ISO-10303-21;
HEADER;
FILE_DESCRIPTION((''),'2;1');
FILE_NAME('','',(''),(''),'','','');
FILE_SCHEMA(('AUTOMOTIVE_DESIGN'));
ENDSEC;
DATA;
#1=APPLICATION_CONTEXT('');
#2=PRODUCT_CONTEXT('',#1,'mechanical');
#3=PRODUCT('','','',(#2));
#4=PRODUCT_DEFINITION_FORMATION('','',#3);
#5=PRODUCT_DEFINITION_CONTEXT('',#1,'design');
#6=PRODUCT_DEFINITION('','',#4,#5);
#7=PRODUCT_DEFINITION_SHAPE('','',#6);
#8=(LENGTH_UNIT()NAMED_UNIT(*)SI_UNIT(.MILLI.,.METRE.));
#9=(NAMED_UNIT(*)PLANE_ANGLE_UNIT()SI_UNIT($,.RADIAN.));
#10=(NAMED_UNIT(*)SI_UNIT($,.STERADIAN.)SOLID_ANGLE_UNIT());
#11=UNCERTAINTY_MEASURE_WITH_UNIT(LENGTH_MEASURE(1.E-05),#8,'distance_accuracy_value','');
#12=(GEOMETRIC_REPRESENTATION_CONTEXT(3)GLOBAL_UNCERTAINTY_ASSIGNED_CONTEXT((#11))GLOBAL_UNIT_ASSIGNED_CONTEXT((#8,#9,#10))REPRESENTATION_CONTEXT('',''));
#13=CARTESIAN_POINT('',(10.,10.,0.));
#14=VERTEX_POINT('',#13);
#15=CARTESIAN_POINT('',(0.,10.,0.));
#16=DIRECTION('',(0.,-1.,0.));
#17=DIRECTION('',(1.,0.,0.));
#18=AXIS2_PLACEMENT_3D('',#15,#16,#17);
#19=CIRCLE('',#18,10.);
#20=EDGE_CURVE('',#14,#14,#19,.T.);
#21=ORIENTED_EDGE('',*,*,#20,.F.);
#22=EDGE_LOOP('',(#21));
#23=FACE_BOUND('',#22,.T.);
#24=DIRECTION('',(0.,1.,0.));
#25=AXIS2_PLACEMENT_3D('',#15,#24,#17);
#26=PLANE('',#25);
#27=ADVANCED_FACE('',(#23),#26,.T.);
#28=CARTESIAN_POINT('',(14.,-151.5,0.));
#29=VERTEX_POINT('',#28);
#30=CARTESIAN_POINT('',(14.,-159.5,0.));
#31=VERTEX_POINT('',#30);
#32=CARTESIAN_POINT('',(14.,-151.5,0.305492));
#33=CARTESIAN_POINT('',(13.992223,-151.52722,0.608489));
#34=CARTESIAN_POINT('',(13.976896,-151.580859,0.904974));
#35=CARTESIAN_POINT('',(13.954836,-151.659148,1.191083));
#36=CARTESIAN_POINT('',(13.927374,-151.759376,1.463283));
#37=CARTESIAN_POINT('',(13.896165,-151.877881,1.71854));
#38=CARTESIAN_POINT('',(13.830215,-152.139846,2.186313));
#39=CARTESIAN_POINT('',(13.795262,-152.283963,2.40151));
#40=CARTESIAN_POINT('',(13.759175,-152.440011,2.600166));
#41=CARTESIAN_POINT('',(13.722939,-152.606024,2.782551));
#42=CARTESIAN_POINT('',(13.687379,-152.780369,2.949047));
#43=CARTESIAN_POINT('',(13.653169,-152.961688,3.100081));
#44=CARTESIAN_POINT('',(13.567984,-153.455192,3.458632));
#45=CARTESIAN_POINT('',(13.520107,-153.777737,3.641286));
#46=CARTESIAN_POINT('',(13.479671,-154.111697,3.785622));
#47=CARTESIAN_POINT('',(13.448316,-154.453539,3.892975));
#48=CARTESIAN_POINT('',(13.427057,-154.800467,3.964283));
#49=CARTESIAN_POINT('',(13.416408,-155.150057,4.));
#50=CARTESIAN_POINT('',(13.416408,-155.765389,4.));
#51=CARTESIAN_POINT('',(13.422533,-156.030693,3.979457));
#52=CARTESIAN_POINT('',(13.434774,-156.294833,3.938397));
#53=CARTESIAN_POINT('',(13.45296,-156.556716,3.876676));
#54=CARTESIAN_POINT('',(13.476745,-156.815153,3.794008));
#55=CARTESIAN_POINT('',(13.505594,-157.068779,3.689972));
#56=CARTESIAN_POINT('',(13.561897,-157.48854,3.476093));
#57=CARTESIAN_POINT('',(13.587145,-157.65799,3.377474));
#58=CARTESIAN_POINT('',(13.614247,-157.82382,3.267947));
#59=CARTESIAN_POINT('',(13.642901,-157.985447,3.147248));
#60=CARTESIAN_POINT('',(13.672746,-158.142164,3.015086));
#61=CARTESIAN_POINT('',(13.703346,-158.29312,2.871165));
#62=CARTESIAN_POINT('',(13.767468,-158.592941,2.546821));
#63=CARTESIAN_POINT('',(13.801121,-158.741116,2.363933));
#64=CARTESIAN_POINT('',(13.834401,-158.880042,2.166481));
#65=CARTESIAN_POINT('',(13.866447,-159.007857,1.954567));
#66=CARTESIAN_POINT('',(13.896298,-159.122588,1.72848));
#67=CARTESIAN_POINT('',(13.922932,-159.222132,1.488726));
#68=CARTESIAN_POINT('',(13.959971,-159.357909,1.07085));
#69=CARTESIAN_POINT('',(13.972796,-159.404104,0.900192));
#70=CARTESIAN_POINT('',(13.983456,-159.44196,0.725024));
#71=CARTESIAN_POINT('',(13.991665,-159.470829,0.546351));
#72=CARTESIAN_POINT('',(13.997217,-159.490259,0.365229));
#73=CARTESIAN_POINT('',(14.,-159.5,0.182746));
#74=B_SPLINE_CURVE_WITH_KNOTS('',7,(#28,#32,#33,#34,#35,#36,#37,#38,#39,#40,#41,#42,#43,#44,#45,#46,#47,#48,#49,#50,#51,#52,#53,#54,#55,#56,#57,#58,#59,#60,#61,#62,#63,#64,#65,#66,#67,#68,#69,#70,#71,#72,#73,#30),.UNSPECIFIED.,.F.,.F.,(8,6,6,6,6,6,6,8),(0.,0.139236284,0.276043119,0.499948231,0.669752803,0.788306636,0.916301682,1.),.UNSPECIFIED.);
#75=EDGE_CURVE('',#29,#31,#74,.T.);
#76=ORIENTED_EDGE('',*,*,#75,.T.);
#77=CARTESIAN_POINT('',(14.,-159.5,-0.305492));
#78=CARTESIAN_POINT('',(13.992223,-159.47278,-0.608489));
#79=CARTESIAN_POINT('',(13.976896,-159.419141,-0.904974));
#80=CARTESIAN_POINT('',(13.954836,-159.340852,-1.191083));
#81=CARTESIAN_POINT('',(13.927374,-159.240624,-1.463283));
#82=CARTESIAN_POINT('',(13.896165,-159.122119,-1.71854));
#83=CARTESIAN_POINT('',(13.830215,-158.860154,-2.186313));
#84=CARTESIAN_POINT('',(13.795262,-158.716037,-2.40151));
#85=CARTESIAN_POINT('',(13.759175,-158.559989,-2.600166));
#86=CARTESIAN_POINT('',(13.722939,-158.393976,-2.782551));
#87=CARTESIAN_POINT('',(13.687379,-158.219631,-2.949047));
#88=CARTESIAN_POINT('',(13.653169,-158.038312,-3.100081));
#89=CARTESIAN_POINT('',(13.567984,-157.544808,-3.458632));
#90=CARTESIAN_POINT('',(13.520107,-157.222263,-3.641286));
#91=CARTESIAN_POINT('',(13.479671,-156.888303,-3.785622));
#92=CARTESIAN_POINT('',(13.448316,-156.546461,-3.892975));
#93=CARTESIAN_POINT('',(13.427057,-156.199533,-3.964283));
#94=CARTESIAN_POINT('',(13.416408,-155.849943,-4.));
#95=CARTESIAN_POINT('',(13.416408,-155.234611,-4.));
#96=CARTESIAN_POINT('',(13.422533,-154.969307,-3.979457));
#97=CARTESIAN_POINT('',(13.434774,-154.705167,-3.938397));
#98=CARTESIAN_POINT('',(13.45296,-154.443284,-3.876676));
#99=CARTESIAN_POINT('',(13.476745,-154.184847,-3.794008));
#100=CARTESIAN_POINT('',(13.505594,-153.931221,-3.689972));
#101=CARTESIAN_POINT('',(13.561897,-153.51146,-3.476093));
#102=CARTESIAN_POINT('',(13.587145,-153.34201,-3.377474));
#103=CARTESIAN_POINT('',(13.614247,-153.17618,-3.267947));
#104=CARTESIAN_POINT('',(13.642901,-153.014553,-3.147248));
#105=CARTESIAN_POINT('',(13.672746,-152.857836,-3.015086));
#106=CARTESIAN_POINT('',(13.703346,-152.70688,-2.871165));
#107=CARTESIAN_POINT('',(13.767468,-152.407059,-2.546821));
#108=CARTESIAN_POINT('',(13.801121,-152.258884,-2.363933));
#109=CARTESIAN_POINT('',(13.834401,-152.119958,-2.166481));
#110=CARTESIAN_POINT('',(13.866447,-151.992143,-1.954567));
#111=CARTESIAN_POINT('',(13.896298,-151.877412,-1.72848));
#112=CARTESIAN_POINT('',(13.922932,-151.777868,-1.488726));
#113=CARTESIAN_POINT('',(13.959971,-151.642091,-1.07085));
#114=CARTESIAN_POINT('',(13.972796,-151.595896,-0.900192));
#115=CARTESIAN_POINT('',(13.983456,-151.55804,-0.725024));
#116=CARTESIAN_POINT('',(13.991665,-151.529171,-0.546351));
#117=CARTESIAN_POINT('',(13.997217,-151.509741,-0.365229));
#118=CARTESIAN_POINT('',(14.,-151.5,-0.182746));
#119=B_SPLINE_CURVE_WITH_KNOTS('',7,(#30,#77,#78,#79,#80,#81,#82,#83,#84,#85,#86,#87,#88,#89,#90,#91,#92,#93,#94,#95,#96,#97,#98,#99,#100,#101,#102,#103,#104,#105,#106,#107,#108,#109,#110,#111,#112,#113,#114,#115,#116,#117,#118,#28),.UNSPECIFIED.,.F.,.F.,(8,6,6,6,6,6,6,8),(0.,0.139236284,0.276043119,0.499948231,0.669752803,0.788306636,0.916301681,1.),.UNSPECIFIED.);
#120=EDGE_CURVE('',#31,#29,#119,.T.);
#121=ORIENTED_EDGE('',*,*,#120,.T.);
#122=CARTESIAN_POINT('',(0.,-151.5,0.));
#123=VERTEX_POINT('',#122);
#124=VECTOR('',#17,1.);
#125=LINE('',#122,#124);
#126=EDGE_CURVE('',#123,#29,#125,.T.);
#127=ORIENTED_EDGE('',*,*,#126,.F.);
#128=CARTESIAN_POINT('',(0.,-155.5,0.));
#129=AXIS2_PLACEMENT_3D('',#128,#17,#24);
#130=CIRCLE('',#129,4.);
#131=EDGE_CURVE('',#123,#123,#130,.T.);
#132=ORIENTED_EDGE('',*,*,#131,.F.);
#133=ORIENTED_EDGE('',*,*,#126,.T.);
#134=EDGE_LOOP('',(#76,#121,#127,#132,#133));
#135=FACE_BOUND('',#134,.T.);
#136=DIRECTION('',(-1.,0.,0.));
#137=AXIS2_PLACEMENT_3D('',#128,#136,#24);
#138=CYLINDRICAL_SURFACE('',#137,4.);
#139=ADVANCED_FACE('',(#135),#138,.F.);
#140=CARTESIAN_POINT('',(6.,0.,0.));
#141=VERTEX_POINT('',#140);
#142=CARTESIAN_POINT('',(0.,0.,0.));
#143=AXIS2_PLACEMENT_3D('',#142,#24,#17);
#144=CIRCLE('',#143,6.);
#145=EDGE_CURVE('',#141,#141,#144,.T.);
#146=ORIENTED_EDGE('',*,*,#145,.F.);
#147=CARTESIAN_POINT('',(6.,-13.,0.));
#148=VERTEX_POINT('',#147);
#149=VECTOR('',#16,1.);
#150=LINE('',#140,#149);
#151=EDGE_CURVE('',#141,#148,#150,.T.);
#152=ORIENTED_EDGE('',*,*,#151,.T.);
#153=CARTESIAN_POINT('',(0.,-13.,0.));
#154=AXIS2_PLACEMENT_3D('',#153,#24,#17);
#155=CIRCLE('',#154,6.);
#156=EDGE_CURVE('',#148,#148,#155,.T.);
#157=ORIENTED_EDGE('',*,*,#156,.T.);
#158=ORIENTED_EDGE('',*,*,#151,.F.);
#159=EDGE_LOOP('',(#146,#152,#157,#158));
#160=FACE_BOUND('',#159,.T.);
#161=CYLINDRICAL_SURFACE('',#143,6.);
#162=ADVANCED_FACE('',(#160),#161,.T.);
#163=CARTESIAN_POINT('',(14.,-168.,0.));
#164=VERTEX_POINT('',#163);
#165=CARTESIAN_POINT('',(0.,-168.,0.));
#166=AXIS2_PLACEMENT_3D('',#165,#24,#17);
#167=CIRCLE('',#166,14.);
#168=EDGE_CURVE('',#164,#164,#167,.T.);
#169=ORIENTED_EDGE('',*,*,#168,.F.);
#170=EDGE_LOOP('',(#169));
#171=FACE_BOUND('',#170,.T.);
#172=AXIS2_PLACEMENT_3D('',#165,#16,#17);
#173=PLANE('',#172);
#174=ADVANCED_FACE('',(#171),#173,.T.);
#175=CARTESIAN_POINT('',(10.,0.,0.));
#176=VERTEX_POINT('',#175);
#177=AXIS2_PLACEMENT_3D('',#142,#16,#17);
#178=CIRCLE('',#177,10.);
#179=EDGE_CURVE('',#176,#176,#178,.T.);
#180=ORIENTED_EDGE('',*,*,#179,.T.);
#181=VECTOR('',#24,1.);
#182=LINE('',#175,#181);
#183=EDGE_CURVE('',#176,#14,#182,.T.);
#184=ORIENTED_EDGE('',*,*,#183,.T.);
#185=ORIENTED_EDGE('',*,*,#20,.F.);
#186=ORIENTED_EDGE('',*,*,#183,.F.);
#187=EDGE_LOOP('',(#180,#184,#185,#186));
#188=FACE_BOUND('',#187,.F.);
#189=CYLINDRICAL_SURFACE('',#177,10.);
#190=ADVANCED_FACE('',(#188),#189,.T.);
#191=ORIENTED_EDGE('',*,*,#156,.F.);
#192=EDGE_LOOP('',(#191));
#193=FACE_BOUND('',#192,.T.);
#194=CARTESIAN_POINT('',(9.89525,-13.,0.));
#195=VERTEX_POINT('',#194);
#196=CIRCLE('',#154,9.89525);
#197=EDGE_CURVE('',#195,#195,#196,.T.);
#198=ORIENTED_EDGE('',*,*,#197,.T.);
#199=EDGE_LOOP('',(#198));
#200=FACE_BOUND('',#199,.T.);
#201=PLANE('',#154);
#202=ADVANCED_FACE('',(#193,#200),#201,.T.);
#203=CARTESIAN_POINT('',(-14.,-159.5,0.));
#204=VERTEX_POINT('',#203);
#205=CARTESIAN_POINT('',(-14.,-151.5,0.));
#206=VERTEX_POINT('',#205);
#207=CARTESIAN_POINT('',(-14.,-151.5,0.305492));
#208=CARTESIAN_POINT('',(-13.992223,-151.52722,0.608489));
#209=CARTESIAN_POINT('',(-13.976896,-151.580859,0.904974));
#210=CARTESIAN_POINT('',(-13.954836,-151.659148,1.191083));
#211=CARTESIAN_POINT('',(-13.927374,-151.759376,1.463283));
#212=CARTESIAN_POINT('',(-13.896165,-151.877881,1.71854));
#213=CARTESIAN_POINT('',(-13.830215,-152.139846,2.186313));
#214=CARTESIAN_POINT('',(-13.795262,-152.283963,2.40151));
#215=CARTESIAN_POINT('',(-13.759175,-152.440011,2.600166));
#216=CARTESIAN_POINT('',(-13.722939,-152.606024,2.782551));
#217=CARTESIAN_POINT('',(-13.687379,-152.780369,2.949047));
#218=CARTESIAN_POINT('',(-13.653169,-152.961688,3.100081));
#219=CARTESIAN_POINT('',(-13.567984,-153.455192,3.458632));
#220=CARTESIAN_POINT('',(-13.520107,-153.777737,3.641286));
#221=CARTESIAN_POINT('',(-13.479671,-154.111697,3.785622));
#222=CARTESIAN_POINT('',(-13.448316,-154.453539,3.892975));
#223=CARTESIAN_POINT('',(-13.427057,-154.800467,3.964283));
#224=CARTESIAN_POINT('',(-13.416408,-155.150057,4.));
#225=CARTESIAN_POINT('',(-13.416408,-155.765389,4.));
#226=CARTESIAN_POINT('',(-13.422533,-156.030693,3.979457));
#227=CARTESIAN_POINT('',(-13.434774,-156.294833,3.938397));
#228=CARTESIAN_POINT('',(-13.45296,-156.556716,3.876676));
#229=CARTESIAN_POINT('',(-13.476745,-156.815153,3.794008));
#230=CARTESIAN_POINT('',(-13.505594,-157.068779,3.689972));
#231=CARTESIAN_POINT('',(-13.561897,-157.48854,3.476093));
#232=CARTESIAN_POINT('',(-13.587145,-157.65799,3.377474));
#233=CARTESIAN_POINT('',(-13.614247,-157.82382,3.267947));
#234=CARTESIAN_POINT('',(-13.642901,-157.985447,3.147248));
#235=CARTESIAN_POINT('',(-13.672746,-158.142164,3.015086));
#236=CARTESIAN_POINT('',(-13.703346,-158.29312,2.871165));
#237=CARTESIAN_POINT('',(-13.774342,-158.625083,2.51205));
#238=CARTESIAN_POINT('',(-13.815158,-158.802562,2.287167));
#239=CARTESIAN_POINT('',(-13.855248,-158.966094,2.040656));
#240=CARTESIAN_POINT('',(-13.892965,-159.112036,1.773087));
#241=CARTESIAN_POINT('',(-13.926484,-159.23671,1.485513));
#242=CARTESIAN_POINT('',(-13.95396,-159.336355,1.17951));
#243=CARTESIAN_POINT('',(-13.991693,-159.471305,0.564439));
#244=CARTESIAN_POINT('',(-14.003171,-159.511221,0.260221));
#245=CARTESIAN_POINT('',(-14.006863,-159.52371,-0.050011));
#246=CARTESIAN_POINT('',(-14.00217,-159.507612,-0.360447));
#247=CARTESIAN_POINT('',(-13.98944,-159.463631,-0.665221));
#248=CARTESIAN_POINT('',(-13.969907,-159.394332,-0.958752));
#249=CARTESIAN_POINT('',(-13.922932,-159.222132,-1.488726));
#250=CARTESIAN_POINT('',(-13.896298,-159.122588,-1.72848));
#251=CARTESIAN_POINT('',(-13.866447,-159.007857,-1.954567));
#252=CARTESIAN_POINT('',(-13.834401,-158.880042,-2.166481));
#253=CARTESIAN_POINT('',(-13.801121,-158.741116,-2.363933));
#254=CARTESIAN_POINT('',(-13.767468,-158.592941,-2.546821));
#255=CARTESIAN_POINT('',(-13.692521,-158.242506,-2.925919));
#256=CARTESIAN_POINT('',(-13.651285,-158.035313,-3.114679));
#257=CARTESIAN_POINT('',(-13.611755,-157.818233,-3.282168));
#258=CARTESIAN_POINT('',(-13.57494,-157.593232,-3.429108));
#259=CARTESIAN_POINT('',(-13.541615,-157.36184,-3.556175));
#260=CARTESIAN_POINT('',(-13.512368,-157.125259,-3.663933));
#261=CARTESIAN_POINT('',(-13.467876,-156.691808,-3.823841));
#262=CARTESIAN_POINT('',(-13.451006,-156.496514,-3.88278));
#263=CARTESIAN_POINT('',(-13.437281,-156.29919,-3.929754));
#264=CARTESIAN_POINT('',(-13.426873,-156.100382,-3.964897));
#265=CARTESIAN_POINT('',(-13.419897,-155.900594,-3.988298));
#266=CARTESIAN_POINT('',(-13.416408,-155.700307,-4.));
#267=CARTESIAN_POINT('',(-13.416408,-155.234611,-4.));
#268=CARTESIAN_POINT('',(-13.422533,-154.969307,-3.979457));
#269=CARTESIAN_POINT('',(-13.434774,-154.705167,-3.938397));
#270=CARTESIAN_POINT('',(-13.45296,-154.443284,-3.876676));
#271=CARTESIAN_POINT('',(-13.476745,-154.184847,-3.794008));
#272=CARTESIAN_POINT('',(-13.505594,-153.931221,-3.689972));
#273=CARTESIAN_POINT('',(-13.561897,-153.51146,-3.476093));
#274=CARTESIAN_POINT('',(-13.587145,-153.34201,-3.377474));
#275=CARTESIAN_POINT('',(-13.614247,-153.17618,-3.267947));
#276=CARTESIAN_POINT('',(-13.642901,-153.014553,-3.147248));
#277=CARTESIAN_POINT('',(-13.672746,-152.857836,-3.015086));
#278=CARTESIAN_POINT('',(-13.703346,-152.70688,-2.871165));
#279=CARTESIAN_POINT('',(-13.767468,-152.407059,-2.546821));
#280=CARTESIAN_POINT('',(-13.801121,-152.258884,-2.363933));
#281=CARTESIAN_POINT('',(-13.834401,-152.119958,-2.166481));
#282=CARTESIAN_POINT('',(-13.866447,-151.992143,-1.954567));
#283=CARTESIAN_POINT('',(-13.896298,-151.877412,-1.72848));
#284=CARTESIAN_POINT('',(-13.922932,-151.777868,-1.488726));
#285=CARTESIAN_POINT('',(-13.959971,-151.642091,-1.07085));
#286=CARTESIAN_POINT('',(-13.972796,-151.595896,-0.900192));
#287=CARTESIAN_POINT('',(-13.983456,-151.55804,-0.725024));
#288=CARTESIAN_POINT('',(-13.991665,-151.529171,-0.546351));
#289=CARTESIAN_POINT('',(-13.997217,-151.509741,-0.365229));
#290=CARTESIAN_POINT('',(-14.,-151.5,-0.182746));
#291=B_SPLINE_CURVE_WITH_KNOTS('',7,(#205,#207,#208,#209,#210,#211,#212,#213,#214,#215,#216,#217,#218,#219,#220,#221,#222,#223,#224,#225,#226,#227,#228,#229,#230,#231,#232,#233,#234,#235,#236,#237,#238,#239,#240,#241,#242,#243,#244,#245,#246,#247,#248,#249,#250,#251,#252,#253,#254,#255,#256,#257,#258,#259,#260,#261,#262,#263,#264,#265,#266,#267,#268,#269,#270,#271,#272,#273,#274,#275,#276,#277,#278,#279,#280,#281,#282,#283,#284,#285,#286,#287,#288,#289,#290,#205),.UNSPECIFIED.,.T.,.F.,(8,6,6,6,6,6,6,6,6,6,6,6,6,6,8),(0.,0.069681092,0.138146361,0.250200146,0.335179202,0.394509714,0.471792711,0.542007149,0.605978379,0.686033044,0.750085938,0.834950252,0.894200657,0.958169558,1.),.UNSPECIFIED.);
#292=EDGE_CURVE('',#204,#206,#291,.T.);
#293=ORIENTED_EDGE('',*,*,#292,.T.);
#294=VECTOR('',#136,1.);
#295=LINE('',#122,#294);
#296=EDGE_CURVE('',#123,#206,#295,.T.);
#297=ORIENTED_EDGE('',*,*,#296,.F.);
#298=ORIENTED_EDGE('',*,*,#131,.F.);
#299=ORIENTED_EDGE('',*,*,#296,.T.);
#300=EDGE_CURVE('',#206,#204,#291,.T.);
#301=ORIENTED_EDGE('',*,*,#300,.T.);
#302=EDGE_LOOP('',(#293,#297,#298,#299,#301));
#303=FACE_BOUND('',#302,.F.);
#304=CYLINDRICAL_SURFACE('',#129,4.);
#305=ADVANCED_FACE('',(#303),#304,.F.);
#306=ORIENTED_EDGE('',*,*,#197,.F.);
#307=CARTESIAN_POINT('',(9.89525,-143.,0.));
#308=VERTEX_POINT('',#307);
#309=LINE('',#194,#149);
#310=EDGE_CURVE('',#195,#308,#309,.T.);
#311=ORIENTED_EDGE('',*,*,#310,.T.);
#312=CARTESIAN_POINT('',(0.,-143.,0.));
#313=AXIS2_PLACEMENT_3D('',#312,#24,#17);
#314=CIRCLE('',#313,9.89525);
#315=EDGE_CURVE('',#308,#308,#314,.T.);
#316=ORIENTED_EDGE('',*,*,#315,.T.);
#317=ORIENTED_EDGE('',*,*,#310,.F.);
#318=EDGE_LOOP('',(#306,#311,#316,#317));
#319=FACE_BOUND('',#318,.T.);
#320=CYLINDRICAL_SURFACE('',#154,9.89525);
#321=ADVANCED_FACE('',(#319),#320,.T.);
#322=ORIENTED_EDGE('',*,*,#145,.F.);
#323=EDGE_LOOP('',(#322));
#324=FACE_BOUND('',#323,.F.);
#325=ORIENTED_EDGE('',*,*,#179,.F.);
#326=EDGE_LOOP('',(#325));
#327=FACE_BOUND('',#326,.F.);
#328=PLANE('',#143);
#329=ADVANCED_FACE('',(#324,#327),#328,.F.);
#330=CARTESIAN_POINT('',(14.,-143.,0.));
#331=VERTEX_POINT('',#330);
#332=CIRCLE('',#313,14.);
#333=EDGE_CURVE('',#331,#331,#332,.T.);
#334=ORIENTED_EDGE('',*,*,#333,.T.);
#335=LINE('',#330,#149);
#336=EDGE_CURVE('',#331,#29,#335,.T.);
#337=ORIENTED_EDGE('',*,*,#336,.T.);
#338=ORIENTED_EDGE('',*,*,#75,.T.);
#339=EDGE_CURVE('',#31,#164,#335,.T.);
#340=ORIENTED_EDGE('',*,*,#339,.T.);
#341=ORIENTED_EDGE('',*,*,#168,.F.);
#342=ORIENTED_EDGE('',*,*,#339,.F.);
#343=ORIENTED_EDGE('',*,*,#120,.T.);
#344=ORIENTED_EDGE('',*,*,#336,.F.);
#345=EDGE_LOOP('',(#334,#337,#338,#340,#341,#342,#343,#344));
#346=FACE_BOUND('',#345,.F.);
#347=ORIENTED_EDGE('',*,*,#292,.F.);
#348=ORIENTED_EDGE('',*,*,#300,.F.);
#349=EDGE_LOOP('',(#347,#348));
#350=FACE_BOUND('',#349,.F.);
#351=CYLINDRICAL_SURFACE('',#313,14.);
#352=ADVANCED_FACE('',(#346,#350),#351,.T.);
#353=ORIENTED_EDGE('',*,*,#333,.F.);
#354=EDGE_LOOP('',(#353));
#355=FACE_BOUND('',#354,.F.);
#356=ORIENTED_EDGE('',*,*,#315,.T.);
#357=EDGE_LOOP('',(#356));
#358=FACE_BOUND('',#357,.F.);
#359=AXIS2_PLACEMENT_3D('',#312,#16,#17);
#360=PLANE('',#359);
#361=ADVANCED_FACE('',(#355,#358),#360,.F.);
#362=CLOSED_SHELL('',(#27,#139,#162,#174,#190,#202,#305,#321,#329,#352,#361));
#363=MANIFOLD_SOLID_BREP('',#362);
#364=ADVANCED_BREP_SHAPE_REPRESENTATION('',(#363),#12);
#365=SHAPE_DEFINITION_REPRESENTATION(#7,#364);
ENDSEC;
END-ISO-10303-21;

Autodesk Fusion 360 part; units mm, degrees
sketch "Sketch1" plane through (0, 0, 0) normal (0, 1, 0) x (1, 0, 0)
  circle A0 centre (0, 0) radius 10
  circle A1 centre (0, 0) radius 6
  dimension "d1" = 20
  dimension "d2" = 12
extrude "Extrude1" add sketch "Sketch1" along normal blind 10 contours A0 | A1
extrude "Extrude3" add sketch "Sketch1" against normal blind 13 contours A1
extrude "Extrude4" add sketch "Sketch1" against normal blind 130 from surface at -13 contours A0 | A1
sketch "Sketch2" plane through (0, -143, 0) normal (0, -1, 0) x (1, 0, 0)
  circle A0 centre (0, 0) radius 10
  circle A1 centre (0, 0) radius 14
  dimension "d12" = 28
extrude "Extrude5" add sketch "Sketch2" along normal blind 25 contours A0 | A1
thread "Thread1" "ISO Metric profile 20.0 M20x2.5 6g" major diameter 19.7905 minor diameter 16.938 pitch 2.5 angle 60 resizes the face on face at (9.9503, -56.3333, 0.9957)
sketch "Sketch3" plane through (0, 0, 0) normal (1, 0, 0) x (0, 1, 0)
  circle A0 centre (-155.5, 0) radius 4
  line L0 (-143, 14) -> (-143, -14)
  dimension "d15" = 8
  dimension "d20" = 12.5
extrude "Extrude6" cut sketch "Sketch3" along normal up to surface and the other way blind 14 end surface at (13.9826, -151.3333, 0.6978)
